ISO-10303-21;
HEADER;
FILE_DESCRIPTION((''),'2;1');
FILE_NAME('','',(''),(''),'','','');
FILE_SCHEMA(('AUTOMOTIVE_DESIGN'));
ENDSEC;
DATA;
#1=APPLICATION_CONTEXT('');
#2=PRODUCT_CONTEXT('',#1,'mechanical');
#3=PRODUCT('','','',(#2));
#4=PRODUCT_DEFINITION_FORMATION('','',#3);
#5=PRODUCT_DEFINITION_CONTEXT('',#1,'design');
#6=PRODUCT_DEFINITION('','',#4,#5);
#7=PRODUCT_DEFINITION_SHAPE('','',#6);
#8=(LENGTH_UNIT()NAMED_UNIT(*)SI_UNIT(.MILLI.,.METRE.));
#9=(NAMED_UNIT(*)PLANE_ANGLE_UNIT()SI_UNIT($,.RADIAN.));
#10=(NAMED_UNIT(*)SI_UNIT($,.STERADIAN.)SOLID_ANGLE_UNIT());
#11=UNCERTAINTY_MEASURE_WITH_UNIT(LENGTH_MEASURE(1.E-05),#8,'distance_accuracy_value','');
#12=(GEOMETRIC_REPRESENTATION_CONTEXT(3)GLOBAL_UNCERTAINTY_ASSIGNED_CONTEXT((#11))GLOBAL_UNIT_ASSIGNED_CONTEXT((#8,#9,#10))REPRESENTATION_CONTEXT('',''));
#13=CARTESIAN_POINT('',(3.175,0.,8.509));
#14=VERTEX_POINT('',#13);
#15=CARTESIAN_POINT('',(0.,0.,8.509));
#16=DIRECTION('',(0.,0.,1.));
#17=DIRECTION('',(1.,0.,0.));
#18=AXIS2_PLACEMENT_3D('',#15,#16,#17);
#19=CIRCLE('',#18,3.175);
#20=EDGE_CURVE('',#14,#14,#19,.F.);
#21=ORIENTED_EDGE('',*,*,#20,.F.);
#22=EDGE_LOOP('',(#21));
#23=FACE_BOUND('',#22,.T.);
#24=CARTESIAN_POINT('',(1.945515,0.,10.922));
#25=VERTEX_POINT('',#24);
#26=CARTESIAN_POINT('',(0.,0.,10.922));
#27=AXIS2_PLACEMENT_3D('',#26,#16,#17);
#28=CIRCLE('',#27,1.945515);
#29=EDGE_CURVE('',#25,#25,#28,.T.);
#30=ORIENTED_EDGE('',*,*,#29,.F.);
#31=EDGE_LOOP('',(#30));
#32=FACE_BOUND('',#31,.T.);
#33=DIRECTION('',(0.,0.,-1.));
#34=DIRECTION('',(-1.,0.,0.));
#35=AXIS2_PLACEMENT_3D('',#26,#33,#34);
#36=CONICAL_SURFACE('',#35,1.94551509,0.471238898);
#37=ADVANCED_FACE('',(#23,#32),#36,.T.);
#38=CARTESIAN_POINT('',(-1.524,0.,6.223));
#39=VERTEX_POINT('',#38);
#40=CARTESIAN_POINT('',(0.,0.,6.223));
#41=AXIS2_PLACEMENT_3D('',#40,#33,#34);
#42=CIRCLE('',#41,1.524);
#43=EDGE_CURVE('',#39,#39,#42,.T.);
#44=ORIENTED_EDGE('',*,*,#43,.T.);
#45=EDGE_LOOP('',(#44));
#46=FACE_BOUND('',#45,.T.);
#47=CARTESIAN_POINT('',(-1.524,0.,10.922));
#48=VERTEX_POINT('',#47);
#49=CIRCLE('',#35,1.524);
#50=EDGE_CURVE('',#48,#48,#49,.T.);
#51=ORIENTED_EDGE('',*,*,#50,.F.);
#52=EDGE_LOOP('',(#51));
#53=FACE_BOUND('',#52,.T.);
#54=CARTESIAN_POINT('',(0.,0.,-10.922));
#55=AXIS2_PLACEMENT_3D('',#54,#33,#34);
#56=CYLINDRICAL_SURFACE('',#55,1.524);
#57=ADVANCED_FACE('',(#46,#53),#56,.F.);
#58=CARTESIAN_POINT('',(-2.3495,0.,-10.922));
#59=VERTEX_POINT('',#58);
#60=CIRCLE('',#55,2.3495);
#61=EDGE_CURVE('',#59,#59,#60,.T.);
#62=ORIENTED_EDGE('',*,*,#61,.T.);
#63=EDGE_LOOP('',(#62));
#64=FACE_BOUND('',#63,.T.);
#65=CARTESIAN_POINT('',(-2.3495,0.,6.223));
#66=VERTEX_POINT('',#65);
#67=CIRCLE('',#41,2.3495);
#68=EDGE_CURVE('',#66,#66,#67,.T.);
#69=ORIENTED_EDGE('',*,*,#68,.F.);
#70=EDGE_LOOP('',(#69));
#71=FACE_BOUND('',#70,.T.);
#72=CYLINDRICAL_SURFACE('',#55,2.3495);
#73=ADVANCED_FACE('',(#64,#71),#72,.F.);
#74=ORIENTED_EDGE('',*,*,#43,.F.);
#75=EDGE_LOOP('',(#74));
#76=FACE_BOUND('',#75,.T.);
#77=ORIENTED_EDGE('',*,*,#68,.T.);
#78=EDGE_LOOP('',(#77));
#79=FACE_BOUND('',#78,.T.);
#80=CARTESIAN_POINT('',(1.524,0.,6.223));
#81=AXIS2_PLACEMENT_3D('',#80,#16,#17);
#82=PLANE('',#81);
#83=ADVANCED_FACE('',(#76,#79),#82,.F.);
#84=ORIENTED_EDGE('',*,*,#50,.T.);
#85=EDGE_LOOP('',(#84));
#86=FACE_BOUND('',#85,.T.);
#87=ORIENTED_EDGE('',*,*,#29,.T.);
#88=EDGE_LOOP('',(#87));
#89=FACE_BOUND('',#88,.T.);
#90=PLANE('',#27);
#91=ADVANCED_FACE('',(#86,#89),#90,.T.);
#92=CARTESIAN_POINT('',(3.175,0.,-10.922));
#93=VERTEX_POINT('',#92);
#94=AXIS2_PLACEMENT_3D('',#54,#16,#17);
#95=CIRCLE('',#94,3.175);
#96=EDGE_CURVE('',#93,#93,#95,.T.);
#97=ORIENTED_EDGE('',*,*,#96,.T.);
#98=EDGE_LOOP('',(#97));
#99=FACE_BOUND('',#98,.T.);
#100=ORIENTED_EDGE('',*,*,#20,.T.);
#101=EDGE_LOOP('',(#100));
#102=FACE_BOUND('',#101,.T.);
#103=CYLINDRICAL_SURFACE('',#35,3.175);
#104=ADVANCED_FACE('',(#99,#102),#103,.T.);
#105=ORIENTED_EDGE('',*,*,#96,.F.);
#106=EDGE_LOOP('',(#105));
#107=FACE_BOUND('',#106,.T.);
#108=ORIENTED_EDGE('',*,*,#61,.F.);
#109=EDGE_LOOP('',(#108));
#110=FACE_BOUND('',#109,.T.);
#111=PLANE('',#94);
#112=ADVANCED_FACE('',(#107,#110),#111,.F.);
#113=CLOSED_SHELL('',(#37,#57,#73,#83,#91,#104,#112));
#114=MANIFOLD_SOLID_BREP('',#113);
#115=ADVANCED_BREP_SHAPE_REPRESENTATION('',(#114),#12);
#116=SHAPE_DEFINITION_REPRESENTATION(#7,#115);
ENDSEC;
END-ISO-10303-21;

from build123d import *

# Parameters (mm, degrees)
CROQUIS3_R                                           = 3.175
SALIENTE_EXTRUIR2_DEPTH                              = 10.922
REFRENTADO_PARA_TORNILLO_CON_CABEZA_HUEC_D           = 3.048
REFRENTADO_PARA_TORNILLO_CON_CABEZA_HUEC_CBORE_D     = 4.699
REFRENTADO_PARA_TORNILLO_CON_CABEZA_HUEC_CBORE_DEPTH = 17.145
CHAFL_N1_SIZE                                        = 2.413
CHAFL_N1_SIZE2                                       = 1.22948491


with BuildPart() as part:
    # Croquis3 → Saliente-Extruir2 (new, symmetric)
    with BuildSketch(Plane.XY):
        Circle(CROQUIS3_R)
    extrude(amount=SALIENTE_EXTRUIR2_DEPTH, both=True)

    # Refrentado para tornillo con cabeza hueca de 1/41 (through all)
    with Locations(Plane(origin=(0, 0, -10.922), x_dir=(-1, 0, 0), z_dir=(0, 0, -1))):
        with Locations((0, 0)):
            CounterBoreHole(REFRENTADO_PARA_TORNILLO_CON_CABEZA_HUEC_D / 2, REFRENTADO_PARA_TORNILLO_CON_CABEZA_HUEC_CBORE_D / 2, REFRENTADO_PARA_TORNILLO_CON_CABEZA_HUEC_CBORE_DEPTH)

    # Chaflán1
    chafl_n1_edges = [part.edges().sort_by_distance(p)[0] for p in [
        (-3.175, 0, 10.922),
    ]]
    chafl_n1_side = [part.faces().sort_by_distance(p)[0] for p in [
        (-3.175, 0, 0),
    ]]
    chamfer(chafl_n1_edges, length=CHAFL_N1_SIZE, length2=CHAFL_N1_SIZE2, reference=chafl_n1_side[0])


solid = part.part
